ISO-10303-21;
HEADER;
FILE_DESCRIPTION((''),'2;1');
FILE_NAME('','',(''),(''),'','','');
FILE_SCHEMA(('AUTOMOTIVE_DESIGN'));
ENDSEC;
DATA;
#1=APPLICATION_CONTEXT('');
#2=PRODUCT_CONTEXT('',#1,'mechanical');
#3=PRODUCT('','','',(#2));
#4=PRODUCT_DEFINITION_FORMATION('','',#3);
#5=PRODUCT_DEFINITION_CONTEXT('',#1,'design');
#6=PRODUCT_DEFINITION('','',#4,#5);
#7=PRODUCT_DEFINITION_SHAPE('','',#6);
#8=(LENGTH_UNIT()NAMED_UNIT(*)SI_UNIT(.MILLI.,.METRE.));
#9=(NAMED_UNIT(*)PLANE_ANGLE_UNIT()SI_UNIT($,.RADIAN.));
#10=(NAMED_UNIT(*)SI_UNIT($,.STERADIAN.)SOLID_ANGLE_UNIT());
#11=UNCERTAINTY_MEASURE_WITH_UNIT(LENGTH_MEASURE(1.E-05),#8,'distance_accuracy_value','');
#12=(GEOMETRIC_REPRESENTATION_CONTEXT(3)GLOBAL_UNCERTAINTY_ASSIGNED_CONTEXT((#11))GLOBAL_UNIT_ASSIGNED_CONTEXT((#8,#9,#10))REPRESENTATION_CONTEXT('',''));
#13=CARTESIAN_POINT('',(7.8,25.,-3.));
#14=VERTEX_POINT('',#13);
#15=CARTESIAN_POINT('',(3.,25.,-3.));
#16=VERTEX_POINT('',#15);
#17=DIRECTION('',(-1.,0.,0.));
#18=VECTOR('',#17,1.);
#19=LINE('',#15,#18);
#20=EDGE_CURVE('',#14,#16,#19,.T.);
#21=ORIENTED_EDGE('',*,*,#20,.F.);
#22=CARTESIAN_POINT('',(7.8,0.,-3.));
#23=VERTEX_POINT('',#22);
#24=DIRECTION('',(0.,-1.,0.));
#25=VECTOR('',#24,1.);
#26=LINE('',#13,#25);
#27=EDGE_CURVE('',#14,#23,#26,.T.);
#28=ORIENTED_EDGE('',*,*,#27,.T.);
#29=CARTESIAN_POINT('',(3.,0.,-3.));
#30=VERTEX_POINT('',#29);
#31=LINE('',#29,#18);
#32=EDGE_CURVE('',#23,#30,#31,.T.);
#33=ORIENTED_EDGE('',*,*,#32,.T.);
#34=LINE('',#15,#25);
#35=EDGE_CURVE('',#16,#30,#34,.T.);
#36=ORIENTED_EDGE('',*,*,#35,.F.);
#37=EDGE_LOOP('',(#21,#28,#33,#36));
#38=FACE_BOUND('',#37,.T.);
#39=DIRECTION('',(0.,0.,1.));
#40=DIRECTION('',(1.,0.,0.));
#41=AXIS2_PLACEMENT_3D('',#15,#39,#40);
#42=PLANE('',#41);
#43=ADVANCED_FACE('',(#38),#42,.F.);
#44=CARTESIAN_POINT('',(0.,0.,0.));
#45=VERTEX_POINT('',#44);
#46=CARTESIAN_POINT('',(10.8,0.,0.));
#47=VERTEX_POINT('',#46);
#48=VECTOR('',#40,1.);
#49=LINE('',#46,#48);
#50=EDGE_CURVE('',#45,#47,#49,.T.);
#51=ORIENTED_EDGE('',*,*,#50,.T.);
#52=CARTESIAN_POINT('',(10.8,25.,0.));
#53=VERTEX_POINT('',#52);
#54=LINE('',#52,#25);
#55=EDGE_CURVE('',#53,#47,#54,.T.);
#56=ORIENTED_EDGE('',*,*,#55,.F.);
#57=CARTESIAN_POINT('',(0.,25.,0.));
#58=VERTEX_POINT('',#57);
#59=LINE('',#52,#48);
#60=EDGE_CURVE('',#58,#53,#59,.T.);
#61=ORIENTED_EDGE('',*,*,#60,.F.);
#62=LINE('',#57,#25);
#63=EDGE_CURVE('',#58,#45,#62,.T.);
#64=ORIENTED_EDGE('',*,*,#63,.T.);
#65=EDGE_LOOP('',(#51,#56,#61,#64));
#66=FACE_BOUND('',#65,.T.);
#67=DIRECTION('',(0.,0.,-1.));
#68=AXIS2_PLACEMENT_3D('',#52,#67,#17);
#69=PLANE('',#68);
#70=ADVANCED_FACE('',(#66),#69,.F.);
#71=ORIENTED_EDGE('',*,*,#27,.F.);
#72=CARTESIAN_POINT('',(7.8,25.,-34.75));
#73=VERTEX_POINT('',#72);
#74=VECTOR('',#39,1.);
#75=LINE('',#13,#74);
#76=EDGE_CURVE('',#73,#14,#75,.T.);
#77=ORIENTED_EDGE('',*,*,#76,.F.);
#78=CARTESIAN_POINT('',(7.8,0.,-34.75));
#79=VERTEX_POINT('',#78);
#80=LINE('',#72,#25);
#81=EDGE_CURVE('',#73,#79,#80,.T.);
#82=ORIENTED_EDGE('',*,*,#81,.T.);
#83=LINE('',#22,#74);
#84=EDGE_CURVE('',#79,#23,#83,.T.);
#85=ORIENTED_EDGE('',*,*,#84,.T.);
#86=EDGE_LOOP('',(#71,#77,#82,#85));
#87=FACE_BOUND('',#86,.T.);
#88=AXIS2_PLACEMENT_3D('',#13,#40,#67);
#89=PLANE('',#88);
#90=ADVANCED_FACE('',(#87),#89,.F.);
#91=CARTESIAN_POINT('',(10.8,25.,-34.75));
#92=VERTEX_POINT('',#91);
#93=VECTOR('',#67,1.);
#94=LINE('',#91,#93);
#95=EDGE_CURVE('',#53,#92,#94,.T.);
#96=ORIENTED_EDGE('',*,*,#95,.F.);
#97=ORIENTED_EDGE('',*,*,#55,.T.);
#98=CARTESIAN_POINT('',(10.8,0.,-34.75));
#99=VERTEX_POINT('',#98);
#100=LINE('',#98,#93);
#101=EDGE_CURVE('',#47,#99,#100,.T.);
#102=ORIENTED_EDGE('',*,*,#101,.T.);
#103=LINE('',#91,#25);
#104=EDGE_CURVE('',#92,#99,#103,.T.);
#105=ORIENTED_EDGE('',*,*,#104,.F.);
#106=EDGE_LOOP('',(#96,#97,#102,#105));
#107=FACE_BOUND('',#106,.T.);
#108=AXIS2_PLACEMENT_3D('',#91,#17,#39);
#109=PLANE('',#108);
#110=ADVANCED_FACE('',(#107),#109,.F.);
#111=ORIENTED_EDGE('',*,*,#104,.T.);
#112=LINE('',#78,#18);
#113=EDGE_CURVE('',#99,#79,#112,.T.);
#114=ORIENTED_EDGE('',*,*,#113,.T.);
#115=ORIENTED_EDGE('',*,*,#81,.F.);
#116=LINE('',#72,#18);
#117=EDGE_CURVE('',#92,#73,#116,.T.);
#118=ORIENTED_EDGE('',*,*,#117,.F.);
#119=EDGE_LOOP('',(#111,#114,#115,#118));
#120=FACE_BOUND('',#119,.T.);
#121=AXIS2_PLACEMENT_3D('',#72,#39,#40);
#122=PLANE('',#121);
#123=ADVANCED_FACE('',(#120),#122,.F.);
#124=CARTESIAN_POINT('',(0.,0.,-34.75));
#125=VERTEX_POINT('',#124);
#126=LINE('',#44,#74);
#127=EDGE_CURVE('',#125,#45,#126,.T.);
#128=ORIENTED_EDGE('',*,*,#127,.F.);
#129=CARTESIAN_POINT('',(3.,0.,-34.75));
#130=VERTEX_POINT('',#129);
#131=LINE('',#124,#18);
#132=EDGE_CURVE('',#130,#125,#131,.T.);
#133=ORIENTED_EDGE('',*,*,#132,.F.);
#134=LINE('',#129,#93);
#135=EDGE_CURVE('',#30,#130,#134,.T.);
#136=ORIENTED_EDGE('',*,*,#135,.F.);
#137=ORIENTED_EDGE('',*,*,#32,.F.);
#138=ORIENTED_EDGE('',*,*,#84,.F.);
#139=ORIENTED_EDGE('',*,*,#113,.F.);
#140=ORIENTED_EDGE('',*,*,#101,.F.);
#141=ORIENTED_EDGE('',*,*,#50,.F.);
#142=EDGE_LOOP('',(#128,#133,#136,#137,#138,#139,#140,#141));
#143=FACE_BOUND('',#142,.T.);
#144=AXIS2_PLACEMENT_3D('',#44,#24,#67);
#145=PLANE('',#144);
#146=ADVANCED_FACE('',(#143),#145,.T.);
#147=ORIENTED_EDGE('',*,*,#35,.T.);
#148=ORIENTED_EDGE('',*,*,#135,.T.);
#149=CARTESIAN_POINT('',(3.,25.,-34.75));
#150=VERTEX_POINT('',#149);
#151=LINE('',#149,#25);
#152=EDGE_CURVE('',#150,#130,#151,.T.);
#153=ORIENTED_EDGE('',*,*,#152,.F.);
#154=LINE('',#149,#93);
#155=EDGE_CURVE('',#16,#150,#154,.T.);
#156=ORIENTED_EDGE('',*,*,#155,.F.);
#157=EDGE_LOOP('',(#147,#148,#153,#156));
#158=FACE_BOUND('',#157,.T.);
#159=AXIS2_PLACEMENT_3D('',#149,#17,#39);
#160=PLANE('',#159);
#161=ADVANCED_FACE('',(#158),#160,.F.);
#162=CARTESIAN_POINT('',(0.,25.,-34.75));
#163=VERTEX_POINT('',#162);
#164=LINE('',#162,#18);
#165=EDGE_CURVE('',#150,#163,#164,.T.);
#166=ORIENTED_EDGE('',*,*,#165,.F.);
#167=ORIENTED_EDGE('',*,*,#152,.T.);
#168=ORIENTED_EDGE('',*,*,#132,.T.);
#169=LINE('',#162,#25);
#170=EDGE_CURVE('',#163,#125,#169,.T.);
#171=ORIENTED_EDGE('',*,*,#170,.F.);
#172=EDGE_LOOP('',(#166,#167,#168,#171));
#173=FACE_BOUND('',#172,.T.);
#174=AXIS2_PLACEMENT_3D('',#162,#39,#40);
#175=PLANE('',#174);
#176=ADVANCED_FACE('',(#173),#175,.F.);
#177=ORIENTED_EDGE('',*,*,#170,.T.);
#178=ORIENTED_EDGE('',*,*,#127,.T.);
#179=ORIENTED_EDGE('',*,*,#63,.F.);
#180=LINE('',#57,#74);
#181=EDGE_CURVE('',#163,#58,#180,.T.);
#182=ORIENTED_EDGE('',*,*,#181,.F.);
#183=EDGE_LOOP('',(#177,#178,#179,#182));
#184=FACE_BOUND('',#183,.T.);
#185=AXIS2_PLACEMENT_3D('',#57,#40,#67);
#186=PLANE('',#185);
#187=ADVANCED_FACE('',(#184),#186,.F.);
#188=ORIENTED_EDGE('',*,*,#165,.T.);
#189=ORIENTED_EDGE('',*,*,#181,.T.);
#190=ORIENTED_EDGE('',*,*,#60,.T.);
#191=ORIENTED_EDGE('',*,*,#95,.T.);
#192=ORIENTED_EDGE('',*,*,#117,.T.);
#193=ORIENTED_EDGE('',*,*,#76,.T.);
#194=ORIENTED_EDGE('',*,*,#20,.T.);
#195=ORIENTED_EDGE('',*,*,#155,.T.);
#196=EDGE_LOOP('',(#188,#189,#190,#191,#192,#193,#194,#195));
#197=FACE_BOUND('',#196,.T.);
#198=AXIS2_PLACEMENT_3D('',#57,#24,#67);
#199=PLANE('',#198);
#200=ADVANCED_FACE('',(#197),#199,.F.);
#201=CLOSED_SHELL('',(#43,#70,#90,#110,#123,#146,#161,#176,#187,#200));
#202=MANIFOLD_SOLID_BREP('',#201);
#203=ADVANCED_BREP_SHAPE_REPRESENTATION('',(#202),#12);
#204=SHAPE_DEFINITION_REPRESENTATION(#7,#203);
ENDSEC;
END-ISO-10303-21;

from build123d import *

# Parameters (mm, degrees)
BOSS_EXTRUDE1_DEPTH = 25


with BuildPart() as part:
    # Sketch1 → Boss-Extrude1 (new body)
    with BuildSketch(Plane(origin=(0, 0, 0), x_dir=(1, 0, 0), z_dir=(0, 1, 0))):
        Polygon((0, 0), (0, 34.75), (3, 34.75), (3, 3), (7.8, 3), (7.8, 34.75), (10.8, 34.75), (10.8, 0), align=None)
    extrude(amount=BOSS_EXTRUDE1_DEPTH)


solid = part.part
